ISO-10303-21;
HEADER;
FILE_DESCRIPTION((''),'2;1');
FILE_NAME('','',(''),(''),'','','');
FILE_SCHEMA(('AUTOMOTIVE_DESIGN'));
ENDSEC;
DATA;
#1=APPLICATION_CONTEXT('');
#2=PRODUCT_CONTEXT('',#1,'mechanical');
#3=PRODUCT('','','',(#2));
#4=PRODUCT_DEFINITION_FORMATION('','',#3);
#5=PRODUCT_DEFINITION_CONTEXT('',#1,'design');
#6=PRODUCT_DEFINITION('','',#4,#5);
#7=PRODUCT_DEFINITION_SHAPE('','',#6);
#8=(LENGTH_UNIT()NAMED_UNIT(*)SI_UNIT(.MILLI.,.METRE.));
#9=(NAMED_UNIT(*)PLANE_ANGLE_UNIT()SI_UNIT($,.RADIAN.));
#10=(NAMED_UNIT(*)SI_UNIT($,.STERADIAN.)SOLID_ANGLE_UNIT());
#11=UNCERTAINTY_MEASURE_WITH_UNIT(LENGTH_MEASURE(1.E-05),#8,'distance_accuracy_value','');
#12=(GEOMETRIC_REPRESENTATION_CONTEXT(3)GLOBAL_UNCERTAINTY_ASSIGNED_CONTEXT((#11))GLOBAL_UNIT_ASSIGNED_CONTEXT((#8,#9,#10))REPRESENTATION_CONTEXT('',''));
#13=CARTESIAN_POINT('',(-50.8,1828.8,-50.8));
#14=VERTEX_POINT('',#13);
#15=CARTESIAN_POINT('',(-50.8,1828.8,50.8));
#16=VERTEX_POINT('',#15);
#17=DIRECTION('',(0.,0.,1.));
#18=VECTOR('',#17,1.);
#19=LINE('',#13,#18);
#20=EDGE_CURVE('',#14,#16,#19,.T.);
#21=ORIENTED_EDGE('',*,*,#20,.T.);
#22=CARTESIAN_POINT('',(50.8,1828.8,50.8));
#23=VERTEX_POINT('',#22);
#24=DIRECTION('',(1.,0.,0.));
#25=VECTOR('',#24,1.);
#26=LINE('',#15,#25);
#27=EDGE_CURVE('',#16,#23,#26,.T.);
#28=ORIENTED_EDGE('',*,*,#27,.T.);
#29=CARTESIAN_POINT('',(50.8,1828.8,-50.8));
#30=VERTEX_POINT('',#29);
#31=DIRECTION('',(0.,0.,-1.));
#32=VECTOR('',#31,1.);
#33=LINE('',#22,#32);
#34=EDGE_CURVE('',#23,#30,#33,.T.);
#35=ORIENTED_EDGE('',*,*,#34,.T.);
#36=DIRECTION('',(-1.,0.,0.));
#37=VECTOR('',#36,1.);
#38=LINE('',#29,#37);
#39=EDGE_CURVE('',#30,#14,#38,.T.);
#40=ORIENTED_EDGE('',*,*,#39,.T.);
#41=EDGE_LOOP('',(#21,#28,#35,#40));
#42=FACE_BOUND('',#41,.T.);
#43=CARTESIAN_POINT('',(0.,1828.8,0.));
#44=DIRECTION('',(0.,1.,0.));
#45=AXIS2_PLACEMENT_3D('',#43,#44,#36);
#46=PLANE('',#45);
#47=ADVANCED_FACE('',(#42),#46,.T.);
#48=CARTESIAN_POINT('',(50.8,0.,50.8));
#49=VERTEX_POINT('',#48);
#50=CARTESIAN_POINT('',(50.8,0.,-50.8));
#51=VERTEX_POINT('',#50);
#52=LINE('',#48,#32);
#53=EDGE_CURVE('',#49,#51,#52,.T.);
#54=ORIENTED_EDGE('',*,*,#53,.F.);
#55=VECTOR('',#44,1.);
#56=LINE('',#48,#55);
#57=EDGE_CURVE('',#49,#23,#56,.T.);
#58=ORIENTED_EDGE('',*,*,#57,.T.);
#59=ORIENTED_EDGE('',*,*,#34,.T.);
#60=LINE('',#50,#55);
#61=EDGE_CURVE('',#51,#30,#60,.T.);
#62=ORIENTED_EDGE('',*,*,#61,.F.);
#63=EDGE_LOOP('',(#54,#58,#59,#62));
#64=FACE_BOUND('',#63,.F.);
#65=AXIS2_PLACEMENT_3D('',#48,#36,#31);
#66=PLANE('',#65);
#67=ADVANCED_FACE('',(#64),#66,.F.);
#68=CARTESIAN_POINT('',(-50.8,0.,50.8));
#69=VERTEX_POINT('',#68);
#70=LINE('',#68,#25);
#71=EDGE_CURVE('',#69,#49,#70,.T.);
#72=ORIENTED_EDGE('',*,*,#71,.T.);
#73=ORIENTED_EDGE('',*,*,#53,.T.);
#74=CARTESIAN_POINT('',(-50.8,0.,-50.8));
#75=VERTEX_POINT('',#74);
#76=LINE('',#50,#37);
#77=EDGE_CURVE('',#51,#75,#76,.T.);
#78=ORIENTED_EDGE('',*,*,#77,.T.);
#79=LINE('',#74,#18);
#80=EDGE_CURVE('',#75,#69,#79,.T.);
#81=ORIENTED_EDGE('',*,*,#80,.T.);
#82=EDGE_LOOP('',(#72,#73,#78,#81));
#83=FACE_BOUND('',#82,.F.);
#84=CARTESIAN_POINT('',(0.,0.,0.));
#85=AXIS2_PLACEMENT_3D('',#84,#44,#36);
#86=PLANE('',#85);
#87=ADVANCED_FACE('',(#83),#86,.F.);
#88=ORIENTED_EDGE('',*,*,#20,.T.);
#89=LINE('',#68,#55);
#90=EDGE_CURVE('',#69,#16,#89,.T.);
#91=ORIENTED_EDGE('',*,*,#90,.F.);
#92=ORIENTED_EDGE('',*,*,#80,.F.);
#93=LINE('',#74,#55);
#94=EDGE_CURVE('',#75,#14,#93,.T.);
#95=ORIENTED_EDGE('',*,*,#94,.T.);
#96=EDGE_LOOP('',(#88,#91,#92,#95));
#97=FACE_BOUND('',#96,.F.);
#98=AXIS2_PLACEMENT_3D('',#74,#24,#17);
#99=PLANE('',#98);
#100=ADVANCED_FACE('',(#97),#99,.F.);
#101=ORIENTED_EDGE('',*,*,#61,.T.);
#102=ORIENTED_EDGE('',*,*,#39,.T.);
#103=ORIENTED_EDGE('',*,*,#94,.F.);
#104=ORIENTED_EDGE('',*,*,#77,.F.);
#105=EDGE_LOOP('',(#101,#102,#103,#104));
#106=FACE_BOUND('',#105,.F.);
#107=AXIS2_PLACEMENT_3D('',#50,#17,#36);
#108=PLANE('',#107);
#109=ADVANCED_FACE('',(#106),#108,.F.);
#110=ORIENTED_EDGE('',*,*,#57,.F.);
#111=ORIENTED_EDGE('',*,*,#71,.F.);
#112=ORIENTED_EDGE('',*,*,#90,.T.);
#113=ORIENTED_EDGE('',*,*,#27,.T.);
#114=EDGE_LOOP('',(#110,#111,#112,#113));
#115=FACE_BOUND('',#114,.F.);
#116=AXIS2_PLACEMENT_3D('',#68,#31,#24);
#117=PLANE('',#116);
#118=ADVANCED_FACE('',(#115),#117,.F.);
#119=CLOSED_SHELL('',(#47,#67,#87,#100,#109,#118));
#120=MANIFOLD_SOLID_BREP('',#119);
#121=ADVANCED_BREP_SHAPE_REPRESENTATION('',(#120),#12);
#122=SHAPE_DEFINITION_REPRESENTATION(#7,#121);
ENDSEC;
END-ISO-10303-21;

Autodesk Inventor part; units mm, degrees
ref_plane "YZ Plane" through (0, 0, 0) normal (1, 0, 0) x (0, 1, 0)
ref_plane "XZ Plane" through (0, 0, 0) normal (0, 1, 0) x (-1, 0, 0)
ref_plane "XY Plane" through (0, 0, 0) normal (0, 0, 1) x (1, 0, 0)
sketch "Sketch1" plane through (0, 0, 0) normal (0, 1, 0) x (-1, 0, 0)
  line L0 (-50.8, 50.8) -> (-50.8, -50.8)
  line L1 (-50.8, -50.8) -> (50.8, -50.8)
  line L2 (50.8, -50.8) -> (50.8, 50.8)
  line L3 (50.8, 50.8) -> (-50.8, 50.8)
  line L4 (-50.8, 50.8) -> (50.8, -50.8) construction
  line L5 (-50.8, -50.8) -> (50.8, 50.8) construction
  point P0 (0, 0)
  dimension "d0" = 101.6
  dimension "d1" = 101.6
extrude "Extrusion1" add sketch "Sketch1" along normal blind 1828.8
properties part number "4x4x72" material "Wood (Birch)"
